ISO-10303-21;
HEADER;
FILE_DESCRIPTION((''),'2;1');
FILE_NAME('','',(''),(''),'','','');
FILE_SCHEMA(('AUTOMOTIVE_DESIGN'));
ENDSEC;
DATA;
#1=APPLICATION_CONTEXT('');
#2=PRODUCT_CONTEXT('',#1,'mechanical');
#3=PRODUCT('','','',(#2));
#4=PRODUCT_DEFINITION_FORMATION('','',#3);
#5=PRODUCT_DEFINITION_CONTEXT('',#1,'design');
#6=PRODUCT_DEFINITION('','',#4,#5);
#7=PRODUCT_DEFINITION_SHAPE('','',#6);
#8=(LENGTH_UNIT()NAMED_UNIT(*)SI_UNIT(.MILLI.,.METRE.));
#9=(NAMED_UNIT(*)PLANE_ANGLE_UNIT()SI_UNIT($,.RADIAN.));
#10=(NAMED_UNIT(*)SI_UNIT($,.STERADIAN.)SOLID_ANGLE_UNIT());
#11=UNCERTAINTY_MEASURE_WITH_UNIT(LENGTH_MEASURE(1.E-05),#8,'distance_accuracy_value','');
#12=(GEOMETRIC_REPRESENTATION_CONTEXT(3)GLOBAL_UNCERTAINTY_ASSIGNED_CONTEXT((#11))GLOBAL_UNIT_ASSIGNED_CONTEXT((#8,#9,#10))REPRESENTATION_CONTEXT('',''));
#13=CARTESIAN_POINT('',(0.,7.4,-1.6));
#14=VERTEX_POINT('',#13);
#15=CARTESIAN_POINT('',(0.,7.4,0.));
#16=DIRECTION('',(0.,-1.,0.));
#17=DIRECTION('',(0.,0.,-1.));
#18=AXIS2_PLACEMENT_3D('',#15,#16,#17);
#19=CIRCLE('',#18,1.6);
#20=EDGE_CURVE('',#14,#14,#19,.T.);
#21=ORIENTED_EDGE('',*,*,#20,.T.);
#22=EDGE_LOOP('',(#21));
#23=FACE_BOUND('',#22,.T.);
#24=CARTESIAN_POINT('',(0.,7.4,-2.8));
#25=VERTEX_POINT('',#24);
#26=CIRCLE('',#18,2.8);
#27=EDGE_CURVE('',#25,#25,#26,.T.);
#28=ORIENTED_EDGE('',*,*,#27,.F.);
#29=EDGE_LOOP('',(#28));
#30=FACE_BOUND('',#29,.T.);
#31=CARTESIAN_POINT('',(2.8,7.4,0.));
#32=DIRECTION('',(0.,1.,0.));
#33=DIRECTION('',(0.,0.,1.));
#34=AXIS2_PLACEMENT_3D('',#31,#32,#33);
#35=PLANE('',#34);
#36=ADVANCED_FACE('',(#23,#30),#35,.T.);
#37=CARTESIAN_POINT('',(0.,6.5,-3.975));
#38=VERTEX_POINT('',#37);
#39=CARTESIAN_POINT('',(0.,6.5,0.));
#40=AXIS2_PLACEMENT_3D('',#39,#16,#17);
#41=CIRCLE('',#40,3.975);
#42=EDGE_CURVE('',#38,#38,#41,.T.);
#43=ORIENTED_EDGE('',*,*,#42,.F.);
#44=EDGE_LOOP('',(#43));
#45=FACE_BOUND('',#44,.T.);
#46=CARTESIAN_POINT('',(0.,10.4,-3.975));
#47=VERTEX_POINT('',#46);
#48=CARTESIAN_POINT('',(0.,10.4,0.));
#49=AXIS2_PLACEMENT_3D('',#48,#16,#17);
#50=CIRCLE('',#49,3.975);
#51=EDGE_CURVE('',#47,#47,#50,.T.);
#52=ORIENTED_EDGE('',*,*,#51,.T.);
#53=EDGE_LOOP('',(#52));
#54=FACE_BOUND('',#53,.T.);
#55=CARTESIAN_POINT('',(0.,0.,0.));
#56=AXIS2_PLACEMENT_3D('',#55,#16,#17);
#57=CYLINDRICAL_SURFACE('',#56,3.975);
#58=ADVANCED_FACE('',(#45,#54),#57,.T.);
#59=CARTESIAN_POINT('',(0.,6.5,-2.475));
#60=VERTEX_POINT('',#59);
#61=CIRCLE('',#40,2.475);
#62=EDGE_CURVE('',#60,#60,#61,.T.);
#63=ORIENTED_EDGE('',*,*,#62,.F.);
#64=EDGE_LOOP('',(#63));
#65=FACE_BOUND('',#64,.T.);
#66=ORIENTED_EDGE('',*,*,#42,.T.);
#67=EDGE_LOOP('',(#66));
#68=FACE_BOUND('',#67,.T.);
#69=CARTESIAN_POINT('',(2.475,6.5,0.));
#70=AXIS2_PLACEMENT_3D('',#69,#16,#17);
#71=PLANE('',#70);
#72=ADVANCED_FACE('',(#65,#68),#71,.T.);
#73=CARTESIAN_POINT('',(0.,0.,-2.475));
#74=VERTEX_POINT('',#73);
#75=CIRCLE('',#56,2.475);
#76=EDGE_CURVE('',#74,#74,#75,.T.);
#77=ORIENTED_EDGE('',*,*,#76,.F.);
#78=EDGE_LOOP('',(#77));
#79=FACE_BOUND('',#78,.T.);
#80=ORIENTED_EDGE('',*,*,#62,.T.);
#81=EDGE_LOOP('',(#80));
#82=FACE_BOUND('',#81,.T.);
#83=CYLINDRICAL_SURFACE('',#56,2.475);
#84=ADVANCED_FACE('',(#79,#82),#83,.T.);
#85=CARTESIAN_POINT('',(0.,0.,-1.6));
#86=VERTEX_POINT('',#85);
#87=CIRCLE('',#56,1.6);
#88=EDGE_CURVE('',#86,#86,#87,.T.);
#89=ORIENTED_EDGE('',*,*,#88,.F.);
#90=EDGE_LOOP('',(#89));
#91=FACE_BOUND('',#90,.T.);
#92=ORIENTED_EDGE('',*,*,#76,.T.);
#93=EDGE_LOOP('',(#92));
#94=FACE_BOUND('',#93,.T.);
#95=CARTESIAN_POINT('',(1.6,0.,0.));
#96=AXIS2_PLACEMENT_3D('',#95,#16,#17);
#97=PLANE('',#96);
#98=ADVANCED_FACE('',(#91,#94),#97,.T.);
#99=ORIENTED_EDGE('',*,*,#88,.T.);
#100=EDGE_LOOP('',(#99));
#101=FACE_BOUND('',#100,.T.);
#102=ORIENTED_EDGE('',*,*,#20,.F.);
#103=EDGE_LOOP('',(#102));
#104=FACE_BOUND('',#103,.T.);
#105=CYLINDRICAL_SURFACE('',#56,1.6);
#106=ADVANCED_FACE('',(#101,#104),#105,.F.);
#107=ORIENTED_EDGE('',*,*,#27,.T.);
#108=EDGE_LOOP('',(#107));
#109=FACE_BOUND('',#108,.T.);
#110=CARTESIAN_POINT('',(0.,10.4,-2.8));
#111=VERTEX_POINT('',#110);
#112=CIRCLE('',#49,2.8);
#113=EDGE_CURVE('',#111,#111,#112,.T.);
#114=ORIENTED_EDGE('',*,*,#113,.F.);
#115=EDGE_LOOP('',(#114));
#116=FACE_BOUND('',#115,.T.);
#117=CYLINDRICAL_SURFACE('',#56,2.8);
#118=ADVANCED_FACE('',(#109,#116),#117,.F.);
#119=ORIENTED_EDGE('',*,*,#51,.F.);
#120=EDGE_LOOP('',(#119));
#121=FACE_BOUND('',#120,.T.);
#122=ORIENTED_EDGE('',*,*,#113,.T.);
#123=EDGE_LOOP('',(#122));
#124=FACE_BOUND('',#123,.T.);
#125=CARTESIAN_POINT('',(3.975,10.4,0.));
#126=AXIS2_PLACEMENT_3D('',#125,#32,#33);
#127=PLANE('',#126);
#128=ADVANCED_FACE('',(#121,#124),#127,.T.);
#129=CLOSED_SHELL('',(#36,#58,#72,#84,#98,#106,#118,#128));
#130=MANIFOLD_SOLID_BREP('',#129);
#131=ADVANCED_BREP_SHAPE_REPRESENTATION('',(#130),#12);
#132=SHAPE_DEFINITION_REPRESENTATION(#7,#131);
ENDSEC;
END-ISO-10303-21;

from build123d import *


with BuildPart() as part:
    # Sketch2 → Revolve1 (revolve)
    with BuildSketch(Plane.XY):
        Polygon((2.8, 10.4), (2.8, 7.4), (1.6, 7.4), (1.6, 0), (2.475, 0), (2.475, 6.5), (3.975, 6.5), (3.975, 10.4), align=None)
    revolve(axis=Axis((0, 0, 0), (0, 1, 0)))


solid = part.part
